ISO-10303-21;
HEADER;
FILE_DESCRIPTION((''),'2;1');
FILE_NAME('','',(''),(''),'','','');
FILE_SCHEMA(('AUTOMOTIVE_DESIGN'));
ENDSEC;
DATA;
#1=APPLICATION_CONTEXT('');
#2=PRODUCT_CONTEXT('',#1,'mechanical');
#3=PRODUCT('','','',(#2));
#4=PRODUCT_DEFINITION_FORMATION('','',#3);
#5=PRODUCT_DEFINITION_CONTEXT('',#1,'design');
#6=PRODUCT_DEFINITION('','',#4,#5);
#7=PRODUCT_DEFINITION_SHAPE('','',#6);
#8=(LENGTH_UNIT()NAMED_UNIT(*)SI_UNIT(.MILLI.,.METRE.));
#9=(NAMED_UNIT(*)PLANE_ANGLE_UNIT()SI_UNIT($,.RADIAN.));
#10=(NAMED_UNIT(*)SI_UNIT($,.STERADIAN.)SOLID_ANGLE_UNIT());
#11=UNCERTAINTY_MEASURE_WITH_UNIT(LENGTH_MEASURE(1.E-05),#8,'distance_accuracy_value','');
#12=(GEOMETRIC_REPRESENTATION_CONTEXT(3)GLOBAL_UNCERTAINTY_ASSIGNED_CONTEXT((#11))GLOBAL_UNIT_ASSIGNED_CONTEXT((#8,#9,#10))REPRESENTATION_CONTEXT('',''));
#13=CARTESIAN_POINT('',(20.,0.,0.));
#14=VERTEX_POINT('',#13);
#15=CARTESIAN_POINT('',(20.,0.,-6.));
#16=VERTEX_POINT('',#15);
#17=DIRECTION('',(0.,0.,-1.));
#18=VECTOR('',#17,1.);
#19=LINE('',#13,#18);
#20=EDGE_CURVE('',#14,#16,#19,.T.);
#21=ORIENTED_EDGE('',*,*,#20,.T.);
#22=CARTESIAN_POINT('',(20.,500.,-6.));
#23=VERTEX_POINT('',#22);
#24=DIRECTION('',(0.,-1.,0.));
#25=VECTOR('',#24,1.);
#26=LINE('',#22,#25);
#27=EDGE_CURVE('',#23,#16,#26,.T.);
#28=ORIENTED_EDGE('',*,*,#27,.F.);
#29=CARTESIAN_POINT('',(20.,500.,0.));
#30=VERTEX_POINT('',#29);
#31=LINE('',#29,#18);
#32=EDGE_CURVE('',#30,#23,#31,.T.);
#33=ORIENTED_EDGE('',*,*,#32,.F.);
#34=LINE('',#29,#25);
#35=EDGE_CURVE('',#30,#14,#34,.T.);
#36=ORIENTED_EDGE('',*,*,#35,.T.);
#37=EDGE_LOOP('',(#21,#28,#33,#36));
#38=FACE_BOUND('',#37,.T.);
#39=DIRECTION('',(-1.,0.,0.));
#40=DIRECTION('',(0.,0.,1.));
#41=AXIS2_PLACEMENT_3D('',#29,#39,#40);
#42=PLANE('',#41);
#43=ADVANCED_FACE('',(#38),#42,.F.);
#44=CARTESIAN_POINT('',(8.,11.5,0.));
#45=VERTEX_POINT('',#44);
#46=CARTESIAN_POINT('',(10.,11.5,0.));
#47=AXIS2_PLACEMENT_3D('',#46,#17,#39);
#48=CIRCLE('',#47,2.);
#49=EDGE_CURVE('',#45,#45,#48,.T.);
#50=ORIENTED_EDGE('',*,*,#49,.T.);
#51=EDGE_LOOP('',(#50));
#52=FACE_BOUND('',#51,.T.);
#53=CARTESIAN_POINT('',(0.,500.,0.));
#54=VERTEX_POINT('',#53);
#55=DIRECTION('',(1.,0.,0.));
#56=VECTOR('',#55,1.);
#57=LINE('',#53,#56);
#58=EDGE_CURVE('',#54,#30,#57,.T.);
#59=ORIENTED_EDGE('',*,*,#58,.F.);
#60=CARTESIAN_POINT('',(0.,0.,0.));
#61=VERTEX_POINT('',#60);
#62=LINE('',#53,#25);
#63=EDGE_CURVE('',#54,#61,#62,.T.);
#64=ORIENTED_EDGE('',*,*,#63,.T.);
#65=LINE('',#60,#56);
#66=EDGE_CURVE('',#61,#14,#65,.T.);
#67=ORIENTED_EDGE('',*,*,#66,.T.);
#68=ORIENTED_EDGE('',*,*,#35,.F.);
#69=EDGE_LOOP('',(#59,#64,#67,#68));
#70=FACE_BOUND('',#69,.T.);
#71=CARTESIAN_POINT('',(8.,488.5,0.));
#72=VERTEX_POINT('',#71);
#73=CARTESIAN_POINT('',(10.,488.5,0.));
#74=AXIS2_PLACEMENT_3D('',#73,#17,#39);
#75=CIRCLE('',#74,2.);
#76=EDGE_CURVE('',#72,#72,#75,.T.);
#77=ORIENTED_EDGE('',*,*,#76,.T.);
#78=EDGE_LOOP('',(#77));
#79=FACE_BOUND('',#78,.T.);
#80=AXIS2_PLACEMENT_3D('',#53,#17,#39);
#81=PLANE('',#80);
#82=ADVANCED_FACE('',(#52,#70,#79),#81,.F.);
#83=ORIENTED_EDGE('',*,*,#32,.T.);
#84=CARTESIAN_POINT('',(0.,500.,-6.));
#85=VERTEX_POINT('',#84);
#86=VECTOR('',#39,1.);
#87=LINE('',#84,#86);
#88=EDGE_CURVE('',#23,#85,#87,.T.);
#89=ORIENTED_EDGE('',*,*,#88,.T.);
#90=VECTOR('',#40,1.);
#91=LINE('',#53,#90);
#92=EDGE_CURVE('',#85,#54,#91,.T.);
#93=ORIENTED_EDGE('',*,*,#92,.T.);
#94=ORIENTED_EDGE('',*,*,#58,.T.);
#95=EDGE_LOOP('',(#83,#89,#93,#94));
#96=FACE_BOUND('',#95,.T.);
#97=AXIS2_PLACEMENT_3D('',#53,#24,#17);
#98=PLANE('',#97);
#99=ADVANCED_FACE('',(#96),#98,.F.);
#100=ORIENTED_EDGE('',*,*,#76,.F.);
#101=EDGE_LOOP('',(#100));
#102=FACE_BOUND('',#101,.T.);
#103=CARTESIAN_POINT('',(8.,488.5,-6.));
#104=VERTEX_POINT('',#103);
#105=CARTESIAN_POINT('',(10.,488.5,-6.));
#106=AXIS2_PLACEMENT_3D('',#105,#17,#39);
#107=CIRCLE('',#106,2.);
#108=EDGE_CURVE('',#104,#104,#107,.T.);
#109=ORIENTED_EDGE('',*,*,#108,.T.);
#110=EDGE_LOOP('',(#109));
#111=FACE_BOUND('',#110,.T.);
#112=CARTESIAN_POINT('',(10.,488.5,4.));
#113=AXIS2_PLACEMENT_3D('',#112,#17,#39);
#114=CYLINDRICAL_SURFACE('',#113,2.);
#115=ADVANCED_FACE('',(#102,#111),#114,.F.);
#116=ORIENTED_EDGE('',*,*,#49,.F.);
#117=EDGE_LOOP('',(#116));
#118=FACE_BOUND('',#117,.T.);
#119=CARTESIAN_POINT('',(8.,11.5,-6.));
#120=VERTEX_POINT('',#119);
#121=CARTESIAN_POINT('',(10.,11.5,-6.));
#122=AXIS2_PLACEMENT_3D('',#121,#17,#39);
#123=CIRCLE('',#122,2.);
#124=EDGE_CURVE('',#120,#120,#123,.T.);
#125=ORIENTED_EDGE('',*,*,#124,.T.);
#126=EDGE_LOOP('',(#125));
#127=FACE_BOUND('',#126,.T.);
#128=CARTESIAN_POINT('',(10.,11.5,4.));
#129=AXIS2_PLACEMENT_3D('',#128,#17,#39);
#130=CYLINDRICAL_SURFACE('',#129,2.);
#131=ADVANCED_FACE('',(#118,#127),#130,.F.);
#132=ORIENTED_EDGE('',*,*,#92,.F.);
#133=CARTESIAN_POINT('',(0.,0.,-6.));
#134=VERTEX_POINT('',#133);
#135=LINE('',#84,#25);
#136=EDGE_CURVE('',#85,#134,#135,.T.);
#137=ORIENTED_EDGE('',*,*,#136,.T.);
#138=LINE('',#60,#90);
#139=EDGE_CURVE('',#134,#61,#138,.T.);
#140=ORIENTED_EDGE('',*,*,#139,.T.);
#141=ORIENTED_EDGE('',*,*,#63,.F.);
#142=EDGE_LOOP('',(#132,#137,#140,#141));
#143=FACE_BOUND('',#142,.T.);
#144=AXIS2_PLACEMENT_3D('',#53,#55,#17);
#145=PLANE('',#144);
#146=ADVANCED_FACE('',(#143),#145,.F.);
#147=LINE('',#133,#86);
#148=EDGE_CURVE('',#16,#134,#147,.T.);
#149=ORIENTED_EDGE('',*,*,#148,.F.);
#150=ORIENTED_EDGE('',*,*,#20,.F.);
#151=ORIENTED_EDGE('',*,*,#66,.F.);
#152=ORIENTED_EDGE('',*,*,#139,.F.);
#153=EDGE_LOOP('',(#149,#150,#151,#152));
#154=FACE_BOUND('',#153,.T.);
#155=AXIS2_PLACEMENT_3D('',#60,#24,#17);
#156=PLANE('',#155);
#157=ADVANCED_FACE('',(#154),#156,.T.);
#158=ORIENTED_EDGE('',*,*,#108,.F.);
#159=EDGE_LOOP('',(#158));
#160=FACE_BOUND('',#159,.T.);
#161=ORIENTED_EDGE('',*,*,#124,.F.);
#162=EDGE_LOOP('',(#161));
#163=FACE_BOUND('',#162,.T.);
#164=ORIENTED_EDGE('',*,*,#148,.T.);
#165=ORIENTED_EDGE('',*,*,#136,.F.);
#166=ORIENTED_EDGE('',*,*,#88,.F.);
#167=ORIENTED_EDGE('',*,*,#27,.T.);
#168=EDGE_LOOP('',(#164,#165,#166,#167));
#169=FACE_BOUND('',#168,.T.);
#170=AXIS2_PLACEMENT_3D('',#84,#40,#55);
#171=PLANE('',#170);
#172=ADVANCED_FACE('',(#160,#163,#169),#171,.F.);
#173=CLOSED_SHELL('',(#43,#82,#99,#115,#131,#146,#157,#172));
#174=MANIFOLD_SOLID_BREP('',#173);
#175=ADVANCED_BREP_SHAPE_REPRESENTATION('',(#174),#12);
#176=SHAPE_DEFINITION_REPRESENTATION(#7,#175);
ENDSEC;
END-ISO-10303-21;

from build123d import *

# Parameters (mm, degrees)
SKETCH1_W           = 20
SKETCH1_H           = 6
BOSS_EXTRUDE1_DEPTH = 500
SKETCH2_R           = 2
CUT_EXTRUDE1_DEPTH  = 10


with BuildPart() as part:
    # Sketch1 → Boss-Extrude1 (new body)
    with BuildSketch(Plane(origin=(0, 0, 0), x_dir=(1, 0, 0), z_dir=(0, 1, 0))):
        with Locations((10, 3)):
            Rectangle(SKETCH1_W, SKETCH1_H)
    extrude(amount=BOSS_EXTRUDE1_DEPTH)

    # Sketch2 → Cut-Extrude1 (cut)
    with BuildSketch(Plane(origin=(0, 0, -6), x_dir=(-1, 0, 0), z_dir=(0, 0, -1))):
        with Locations((-10, 488.5)):
            Circle(SKETCH2_R)
        with Locations((-10, 11.5)):
            Circle(SKETCH2_R)
    extrude(amount=-CUT_EXTRUDE1_DEPTH, mode=Mode.SUBTRACT)


solid = part.part
